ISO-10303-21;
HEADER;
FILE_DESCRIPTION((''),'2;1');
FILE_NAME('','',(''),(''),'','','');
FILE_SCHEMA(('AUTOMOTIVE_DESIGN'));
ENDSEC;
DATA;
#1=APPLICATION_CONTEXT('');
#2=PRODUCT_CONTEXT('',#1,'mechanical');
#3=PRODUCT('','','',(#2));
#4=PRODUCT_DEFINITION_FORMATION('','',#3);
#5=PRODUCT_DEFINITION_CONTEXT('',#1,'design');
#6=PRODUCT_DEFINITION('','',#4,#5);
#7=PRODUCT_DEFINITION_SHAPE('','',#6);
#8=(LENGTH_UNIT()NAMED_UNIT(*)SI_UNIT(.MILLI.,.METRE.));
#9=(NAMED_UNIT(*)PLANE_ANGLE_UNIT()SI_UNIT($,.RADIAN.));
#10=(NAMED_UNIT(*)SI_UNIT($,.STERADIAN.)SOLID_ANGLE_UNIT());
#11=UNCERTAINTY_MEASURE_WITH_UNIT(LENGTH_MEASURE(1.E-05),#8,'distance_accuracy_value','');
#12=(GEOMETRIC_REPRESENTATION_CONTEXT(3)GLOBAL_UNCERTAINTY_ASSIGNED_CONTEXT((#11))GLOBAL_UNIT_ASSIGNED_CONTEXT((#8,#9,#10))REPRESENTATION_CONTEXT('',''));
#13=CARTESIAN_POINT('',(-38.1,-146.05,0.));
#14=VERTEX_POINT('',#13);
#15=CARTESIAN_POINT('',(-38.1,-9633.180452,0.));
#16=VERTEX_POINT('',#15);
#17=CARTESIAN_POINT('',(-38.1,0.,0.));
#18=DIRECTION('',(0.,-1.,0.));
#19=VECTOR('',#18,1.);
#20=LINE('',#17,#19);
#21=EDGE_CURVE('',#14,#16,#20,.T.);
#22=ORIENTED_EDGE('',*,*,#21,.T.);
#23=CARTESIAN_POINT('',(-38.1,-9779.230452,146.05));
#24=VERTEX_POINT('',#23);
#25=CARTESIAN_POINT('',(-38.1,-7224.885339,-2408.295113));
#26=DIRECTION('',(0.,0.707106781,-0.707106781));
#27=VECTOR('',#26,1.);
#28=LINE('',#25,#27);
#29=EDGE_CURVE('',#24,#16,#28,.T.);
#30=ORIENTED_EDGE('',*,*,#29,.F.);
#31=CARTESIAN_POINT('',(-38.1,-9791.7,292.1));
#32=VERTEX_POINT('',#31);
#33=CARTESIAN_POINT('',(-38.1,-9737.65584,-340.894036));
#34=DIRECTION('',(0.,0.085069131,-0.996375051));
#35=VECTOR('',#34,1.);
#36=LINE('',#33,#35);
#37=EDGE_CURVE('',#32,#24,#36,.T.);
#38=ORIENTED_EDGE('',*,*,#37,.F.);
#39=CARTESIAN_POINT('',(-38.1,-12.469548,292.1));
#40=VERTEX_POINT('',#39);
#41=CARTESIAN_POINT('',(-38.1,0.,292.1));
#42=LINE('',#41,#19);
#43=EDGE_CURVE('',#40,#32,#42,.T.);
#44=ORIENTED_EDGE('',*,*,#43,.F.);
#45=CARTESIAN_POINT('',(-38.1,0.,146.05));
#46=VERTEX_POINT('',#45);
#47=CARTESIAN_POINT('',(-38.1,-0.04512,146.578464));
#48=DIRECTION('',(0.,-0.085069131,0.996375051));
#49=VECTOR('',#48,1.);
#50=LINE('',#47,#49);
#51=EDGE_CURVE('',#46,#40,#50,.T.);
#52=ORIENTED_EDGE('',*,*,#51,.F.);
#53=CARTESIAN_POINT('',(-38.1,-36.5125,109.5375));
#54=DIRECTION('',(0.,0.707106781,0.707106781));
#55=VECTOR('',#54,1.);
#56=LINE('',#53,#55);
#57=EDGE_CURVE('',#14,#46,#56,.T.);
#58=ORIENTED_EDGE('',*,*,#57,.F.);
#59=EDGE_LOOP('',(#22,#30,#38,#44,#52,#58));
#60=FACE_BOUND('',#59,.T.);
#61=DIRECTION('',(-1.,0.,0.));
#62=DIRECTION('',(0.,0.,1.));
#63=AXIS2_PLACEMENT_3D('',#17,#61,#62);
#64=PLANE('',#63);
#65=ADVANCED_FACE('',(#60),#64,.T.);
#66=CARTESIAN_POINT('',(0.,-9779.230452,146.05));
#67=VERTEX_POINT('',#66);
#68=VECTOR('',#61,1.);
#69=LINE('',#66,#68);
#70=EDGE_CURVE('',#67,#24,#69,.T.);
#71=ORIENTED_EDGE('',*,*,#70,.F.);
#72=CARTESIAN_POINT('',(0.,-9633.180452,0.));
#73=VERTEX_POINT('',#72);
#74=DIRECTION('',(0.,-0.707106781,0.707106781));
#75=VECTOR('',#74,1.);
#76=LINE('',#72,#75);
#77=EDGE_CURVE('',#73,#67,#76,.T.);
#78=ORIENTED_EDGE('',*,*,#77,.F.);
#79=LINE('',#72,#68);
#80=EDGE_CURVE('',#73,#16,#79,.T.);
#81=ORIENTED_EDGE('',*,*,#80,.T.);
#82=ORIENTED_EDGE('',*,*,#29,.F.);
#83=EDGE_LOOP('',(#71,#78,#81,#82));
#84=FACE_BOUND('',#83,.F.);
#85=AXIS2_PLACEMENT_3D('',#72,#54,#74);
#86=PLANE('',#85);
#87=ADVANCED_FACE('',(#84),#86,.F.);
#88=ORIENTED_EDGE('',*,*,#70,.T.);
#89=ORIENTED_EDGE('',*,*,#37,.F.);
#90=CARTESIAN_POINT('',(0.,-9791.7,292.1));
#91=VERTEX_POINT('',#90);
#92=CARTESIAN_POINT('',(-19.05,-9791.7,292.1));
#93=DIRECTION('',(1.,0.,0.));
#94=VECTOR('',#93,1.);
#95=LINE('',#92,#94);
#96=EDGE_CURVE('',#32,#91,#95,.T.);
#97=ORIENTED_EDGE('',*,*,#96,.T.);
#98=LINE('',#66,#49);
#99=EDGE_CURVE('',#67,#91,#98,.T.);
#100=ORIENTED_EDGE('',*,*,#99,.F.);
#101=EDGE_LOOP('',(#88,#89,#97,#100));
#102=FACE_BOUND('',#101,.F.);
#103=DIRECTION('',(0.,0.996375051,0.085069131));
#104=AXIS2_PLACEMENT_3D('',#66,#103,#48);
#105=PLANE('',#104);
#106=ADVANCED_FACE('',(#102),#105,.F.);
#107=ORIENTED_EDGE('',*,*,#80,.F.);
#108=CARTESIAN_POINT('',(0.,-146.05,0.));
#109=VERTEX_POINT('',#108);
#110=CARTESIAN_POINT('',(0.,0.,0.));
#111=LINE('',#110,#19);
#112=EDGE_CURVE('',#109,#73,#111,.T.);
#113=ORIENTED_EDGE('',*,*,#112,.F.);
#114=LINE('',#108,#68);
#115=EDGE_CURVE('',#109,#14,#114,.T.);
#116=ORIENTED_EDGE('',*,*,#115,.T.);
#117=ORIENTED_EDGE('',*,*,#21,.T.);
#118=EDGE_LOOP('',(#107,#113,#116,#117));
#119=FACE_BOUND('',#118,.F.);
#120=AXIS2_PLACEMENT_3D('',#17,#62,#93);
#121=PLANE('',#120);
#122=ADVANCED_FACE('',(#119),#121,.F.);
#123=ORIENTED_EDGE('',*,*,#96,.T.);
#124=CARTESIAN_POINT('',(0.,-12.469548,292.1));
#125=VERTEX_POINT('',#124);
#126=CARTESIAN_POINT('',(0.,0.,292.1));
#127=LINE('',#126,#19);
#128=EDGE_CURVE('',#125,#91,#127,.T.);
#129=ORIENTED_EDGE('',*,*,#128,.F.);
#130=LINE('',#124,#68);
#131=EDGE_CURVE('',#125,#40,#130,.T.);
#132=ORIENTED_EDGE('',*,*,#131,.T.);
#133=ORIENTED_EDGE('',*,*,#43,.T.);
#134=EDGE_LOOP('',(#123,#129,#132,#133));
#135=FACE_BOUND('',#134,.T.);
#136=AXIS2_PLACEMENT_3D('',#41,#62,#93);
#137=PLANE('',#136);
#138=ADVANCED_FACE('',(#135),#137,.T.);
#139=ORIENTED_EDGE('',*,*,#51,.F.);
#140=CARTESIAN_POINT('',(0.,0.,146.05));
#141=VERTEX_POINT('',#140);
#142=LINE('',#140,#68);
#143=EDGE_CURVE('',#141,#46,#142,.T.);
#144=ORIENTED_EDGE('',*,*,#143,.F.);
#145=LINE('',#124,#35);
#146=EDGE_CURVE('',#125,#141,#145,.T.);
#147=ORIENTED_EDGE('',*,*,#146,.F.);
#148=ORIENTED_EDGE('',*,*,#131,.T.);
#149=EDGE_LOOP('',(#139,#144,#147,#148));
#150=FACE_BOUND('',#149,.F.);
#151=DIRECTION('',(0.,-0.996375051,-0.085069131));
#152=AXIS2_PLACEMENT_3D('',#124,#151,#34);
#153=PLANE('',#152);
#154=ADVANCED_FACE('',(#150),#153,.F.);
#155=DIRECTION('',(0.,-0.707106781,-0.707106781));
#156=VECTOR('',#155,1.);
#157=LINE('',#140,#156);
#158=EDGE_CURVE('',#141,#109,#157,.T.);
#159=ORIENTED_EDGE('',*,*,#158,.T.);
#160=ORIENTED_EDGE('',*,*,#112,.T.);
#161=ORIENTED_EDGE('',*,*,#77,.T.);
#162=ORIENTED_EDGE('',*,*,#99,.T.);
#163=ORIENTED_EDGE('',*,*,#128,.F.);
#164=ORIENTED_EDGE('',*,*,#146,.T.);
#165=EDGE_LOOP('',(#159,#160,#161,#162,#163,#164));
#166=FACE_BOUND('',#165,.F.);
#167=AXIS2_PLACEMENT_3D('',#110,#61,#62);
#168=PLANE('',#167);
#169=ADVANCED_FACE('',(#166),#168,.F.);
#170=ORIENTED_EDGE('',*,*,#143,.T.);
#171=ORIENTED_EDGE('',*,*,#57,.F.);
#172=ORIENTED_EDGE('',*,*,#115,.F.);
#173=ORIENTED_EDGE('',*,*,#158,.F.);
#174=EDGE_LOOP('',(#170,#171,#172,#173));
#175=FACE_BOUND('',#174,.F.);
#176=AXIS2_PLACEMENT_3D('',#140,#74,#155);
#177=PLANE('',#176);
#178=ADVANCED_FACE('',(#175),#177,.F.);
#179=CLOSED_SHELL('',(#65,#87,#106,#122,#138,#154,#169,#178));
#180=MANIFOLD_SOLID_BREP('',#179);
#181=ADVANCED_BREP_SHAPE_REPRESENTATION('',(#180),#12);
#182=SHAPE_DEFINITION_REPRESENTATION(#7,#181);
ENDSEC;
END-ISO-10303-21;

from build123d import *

# Parameters (mm, degrees)
F0_W     = 38.1
F0_H     = 292.1
F1_DEPTH = 9791.7
F3_DEPTH = 38.101
F5_DEPTH = 38.101


with BuildPart() as f1:
    # F0 (on Front) → F1 (new body)
    with BuildSketch(Plane.XZ):
        with Locations((-19.05, 146.05)):
            Rectangle(F0_W, F0_H)
    extrude(amount=F1_DEPTH)

    # F2 (on face) → F3 (cut, through all)
    with BuildSketch(Plane.YZ):
        Polygon((-9779.230452, 146.05), (-9791.7, 292.1), (-9791.7, 0), (-9633.180452, 0), align=None)
    extrude(amount=-F3_DEPTH, mode=Mode.SUBTRACT)

    # F4 (on face) → F5 (cut, through all)
    with BuildSketch(Plane.YZ):
        Polygon((-146.05, 0), (0, 0), (0, 146.05), align=None)
        Polygon((-12.469548, 292.1), (0, 146.05), (0, 292.1), align=None)
    extrude(amount=-F5_DEPTH, mode=Mode.SUBTRACT)


solid = f1.part
